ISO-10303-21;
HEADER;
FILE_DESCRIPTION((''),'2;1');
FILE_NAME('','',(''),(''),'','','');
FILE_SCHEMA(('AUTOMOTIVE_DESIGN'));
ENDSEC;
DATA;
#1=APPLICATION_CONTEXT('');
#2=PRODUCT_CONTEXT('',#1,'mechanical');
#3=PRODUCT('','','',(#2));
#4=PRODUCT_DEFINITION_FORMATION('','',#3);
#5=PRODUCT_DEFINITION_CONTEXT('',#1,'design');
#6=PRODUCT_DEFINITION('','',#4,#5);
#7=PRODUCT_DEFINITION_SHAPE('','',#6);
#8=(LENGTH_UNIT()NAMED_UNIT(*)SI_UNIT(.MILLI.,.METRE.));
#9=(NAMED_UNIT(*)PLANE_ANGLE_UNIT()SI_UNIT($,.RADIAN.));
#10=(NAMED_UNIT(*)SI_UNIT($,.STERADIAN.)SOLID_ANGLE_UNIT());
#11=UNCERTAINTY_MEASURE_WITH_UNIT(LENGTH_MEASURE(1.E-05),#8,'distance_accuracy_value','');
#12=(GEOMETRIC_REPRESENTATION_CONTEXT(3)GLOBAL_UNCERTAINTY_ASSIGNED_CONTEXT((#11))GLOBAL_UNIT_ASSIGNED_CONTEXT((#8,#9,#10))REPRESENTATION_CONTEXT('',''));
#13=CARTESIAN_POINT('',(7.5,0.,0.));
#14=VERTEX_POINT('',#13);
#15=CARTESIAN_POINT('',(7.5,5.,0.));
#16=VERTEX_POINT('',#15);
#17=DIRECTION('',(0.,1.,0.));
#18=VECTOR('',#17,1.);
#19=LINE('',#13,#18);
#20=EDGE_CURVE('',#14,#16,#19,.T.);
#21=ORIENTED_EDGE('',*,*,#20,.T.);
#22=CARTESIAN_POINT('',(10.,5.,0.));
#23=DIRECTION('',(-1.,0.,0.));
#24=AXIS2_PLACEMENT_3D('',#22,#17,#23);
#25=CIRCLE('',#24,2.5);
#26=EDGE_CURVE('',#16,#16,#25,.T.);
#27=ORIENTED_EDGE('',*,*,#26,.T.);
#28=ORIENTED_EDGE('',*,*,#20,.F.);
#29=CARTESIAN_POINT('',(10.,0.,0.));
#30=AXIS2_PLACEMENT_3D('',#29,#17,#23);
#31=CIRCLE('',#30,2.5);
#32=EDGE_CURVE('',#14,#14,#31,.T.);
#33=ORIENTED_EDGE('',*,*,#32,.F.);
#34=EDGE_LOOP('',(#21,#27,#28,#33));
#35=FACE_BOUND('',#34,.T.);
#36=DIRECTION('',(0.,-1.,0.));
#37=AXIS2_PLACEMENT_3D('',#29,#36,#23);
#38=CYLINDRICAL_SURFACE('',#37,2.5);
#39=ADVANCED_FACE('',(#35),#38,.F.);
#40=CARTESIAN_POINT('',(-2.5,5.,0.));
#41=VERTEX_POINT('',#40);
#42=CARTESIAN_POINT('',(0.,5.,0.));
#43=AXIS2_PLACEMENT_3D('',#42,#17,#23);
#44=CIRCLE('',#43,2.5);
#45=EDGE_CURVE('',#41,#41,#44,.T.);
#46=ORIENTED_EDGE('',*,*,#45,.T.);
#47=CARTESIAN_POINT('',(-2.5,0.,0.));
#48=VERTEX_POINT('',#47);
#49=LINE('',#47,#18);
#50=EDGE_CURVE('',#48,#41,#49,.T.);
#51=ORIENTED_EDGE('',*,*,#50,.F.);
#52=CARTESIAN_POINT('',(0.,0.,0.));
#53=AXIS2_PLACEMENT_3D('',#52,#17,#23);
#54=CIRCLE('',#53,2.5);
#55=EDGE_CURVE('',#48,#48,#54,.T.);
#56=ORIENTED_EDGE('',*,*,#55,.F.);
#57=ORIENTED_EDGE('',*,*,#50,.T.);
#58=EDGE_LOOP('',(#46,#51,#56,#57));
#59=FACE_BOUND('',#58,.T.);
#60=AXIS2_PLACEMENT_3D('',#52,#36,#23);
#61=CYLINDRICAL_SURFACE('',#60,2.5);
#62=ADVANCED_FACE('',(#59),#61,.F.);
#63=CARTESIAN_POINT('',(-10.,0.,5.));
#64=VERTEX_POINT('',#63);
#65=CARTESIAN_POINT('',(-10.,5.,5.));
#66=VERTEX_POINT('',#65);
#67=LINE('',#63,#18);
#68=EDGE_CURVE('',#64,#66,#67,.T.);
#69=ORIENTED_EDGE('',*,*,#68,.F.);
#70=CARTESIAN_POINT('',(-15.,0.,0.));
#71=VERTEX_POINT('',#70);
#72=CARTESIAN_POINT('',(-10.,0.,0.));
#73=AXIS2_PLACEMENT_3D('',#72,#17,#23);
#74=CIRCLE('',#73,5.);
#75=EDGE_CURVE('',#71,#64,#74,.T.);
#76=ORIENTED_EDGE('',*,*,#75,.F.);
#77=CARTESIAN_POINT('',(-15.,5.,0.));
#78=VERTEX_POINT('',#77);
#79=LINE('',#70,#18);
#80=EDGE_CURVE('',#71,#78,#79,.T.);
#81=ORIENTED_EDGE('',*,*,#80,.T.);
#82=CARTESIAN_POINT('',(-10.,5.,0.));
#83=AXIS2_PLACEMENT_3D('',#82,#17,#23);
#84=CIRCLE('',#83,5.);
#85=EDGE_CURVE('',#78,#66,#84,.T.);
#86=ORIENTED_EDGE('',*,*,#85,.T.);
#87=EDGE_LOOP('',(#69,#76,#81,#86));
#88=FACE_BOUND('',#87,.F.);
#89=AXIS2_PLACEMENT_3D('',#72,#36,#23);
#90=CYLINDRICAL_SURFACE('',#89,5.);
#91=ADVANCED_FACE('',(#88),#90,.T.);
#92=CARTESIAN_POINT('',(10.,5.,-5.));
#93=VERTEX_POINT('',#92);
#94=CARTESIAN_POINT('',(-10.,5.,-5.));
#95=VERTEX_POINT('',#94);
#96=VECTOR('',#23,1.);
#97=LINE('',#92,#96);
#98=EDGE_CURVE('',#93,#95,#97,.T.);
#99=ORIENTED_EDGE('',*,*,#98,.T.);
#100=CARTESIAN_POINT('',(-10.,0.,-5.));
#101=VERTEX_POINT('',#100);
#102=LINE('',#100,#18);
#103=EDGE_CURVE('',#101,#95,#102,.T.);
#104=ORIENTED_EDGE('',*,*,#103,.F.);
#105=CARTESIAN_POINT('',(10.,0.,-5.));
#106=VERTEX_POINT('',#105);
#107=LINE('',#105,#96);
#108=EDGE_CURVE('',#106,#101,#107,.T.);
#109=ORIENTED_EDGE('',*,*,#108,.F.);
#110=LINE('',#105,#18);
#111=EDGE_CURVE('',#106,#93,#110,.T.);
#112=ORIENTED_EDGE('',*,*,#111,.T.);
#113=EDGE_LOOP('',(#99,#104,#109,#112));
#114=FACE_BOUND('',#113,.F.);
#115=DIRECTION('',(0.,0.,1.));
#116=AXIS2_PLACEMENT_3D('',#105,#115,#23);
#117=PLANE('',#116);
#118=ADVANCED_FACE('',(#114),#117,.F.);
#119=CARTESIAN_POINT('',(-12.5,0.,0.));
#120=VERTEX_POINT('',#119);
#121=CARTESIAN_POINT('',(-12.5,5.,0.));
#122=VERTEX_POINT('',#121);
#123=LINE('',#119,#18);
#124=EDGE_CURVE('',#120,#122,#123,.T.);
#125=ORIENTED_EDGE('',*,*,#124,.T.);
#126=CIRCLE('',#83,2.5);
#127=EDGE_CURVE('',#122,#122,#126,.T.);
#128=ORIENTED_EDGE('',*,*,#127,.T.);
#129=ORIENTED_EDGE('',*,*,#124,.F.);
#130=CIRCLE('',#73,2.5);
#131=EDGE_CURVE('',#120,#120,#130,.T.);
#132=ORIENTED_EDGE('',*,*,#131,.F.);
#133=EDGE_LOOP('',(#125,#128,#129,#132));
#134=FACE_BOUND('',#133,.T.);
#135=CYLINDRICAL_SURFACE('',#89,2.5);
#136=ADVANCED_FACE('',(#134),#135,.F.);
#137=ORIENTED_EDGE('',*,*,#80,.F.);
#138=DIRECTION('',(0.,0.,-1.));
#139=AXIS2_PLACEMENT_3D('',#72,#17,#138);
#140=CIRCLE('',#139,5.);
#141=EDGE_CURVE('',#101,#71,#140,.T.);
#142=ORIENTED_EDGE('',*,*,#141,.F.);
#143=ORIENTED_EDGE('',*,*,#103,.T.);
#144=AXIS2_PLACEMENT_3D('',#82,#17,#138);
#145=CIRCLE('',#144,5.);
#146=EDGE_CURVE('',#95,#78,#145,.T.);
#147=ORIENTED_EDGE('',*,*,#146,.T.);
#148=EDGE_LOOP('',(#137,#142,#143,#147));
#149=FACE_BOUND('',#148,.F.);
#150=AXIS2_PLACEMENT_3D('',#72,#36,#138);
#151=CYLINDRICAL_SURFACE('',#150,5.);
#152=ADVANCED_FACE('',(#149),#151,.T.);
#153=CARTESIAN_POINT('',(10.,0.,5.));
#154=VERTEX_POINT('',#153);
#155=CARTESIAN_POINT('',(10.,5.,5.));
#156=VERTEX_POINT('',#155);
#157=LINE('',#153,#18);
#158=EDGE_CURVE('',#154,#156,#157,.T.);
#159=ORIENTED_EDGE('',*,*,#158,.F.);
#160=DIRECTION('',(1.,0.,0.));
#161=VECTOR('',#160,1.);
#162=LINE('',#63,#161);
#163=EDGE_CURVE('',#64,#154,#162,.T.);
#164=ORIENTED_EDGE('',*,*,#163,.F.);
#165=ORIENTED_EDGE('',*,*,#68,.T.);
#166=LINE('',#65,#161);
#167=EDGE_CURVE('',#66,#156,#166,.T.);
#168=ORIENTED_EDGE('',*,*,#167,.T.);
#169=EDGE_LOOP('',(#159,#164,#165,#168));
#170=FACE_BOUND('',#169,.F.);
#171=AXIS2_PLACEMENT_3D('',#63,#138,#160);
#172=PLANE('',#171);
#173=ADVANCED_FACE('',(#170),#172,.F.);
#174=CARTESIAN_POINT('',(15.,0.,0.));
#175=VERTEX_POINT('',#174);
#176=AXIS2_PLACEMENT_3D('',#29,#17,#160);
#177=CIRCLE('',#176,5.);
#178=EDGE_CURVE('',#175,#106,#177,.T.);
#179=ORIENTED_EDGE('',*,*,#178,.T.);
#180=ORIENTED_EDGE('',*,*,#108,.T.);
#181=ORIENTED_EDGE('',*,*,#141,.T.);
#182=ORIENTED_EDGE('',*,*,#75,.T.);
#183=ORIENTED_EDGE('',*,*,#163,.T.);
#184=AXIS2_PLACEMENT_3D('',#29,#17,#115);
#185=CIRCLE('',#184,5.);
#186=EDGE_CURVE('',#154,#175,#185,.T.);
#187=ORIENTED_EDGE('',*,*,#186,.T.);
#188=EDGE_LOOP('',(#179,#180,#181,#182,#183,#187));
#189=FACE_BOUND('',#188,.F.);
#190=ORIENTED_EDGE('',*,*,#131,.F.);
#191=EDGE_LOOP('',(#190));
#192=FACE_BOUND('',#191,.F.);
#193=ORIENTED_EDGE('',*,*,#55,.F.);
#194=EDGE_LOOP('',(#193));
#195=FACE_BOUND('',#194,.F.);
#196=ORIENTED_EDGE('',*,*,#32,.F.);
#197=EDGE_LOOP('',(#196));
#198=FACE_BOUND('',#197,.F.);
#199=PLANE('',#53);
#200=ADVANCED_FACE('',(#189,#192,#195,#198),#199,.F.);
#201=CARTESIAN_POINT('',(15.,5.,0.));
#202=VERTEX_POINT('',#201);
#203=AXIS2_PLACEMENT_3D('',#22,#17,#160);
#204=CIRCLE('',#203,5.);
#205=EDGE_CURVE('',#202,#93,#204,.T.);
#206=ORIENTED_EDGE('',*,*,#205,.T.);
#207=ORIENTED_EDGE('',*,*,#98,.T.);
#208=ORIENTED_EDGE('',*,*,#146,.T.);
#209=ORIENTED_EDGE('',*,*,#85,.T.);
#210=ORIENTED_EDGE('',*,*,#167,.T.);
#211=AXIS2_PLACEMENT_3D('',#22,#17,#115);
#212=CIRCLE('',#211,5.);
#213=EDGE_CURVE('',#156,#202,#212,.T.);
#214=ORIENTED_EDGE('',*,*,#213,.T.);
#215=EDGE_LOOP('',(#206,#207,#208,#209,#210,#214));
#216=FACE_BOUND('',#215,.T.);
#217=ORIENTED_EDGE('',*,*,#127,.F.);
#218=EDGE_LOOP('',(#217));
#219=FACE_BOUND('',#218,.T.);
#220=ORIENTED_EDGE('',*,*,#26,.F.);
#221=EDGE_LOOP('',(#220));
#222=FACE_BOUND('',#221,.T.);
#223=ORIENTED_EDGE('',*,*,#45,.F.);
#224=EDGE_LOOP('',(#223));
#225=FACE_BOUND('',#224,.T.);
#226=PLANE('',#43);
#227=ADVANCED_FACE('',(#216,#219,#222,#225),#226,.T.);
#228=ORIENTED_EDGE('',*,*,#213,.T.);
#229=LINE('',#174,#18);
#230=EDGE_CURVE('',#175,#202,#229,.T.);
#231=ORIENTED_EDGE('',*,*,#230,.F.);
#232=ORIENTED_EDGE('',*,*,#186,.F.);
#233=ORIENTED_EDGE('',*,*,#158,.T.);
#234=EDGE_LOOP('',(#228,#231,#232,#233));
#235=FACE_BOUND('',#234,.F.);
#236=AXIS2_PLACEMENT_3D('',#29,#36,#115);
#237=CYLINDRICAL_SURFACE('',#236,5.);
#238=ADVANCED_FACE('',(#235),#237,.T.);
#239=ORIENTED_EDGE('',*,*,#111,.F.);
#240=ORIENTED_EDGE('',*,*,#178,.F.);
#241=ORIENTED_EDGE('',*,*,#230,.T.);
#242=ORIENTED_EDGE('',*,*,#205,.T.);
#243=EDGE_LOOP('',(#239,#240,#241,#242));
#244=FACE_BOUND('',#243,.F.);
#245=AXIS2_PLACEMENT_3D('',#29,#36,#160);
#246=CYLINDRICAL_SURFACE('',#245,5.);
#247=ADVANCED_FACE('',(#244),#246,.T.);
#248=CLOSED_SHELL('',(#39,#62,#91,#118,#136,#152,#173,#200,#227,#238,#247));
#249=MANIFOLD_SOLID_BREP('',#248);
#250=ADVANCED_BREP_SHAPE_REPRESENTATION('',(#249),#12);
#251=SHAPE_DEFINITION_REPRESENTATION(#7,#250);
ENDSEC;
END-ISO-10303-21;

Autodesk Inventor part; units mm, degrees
ref_plane "YZ Plane" through (0, 0, 0) normal (1, 0, 0) x (0, 1, 0)
ref_plane "XZ Plane" through (0, 0, 0) normal (0, 1, 0) x (-1, 0, 0)
ref_plane "XY Plane" through (0, 0, 0) normal (0, 0, 1) x (1, 0, 0)
sketch "Sketch1" plane through (0, 0, 0) normal (0, 1, 0) x (-1, 0, 0)
  line L0 (-10, -5) -> (10, -5)
  line L1 (15, 0) -> (15, 0)
  line L2 (10, 5) -> (-10, 5)
  line L3 (-15, 0) -> (-15, 0)
  line L4 (-15, -5) -> (15, 5) construction
  line L5 (15, -5) -> (-15, 5) construction
  circle A0 centre (0, 0) radius 2.5
  circle A1 centre (10, 0) radius 2.5
  circle A2 centre (-10, 0) radius 2.5
  arc A3 (10, -5) -> (15, 0) centre (10, 0) ccw
  arc A4 (15, 0) -> (10, 5) centre (10, 0) ccw
  arc A5 (-10, 5) -> (-15, 0) centre (-10, 0) ccw
  arc A6 (-15, 0) -> (-10, -5) centre (-10, 0) ccw
  point P0 (15, 0)
  point P1 (-15, 0)
  dimension "d0" = 10
  dimension "d1" = 30
  dimension "d2" = 5
  dimension "d3" = 5
  dimension "d4" = 5
  dimension "d5" = 5
  dimension "d6" = 5
  dimension "d7" = 5
  dimension "d8" = 5
  dimension "d9" = 5
extrude "Extrusion1" add sketch "Sketch1" along normal blind 5
properties part number "link"
